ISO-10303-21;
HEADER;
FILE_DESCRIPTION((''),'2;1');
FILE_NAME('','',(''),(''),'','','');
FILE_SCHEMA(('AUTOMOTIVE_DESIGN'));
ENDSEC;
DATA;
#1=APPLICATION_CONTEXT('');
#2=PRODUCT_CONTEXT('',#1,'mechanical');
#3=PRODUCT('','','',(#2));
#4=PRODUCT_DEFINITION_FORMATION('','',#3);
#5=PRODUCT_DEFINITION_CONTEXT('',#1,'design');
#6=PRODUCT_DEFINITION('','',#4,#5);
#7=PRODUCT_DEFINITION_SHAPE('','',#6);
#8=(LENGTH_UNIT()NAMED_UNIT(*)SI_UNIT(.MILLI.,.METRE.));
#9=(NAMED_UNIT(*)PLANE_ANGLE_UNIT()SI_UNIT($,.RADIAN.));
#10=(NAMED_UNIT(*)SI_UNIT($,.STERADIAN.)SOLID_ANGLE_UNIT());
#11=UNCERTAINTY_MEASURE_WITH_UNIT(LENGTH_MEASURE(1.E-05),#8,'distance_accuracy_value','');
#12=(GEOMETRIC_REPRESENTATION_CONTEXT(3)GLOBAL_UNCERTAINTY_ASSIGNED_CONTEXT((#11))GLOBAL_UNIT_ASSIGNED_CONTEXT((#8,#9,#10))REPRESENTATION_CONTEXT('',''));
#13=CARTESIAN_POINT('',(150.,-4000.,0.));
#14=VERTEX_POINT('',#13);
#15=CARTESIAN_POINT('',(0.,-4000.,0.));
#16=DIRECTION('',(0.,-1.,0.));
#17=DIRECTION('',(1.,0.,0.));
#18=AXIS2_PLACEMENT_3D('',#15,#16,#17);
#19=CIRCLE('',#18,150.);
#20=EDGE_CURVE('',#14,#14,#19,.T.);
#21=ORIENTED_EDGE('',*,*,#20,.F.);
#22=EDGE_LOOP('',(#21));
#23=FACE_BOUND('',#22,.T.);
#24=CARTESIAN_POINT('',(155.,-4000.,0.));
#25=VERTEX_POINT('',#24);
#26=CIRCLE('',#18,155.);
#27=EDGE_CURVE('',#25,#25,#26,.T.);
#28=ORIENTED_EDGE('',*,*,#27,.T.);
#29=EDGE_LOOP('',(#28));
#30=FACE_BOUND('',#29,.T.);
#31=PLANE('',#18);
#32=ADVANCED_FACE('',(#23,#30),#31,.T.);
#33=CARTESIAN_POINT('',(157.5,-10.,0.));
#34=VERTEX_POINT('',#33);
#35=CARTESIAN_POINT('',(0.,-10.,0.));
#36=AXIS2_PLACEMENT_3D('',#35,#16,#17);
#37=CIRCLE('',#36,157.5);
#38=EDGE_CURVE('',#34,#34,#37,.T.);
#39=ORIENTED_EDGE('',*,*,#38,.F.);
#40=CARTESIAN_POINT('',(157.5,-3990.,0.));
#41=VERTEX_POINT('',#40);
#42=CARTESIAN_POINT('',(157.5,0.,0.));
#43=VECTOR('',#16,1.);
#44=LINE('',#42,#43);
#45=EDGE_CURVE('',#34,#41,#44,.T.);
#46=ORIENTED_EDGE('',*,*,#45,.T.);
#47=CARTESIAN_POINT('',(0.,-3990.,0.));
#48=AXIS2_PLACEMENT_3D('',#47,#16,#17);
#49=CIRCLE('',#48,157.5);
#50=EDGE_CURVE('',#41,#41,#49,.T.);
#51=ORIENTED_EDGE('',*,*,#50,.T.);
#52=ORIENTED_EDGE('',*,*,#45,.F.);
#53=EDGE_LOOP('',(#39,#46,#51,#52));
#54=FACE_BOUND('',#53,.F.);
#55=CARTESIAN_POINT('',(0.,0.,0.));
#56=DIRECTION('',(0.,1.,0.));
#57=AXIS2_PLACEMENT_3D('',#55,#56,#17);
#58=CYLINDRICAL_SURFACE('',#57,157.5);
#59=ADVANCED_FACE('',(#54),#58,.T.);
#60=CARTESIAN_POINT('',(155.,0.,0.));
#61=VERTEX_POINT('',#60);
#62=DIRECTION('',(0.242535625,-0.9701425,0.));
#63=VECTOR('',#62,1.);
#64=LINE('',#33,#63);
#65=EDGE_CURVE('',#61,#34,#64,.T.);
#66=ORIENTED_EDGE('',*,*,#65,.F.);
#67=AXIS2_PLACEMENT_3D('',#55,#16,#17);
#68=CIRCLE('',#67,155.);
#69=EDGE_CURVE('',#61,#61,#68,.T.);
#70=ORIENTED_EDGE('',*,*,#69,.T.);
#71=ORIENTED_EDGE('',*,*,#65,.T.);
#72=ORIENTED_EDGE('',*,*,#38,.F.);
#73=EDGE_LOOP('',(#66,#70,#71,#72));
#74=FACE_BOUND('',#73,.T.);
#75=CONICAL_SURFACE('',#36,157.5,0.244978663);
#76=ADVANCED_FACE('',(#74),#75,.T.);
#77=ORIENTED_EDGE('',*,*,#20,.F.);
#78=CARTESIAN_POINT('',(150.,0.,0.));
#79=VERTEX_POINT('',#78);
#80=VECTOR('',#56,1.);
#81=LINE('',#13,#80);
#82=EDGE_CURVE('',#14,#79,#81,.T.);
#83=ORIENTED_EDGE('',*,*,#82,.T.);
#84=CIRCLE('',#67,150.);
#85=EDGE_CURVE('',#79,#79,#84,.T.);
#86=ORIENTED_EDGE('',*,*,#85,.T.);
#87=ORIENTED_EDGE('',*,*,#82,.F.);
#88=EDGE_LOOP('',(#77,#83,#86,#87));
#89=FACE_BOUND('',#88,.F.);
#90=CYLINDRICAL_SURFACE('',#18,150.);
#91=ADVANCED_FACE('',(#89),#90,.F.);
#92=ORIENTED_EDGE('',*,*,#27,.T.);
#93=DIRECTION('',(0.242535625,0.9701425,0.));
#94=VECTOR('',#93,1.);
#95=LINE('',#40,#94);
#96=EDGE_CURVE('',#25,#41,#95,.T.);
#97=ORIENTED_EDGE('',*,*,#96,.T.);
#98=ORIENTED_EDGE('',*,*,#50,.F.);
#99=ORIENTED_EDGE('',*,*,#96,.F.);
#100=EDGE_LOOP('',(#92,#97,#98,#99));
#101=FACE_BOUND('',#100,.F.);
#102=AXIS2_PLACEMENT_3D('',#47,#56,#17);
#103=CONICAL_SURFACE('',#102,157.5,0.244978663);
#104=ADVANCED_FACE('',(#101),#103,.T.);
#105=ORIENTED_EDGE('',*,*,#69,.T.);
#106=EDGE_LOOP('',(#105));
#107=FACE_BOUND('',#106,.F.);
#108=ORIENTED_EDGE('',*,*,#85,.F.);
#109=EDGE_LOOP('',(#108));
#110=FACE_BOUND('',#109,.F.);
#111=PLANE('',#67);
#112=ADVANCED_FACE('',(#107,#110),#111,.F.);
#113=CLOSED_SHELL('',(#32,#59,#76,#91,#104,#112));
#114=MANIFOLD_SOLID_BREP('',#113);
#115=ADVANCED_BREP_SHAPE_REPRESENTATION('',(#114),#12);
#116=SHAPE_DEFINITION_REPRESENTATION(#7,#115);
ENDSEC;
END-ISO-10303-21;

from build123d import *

# Parameters (mm, degrees)
F0_R     = 157.5
F1_DEPTH = 4000
F2_R     = 150
F3_DEPTH = 4000.001
F4_SIZE2 = 10
F4_SIZE  = 2.5
F5_SIZE2 = 10
F5_SIZE  = 2.5


with BuildPart() as f1:
    # F0 (on Front) → F1 (new body)
    with BuildSketch(Plane.XZ):
        Circle(F0_R)
    extrude(amount=F1_DEPTH)

    # F2 (on face) → F3 (cut, through all)
    with BuildSketch(Plane.XZ.offset(4000)):
        Circle(F2_R)
    extrude(amount=-F3_DEPTH, mode=Mode.SUBTRACT)

    # F4
    f4_edges = [f1.edges().sort_by_distance(p)[0] for p in [
        (-157.5, -4000, 0),
    ]]
    f4_side = f1.faces().sort_by_distance((-153.045227, -4000, 0))[0]
    chamfer(f4_edges, length=F4_SIZE, length2=F4_SIZE2, reference=f4_side)

    # F5
    f5_edges = [f1.edges().sort_by_distance(p)[0] for p in [
        (-157.5, 0, 0),
    ]]
    f5_side = f1.faces().sort_by_distance((-153.045227, 0, 0))[0]
    chamfer(f5_edges, length=F5_SIZE, length2=F5_SIZE2, reference=f5_side)


solid = f1.part
